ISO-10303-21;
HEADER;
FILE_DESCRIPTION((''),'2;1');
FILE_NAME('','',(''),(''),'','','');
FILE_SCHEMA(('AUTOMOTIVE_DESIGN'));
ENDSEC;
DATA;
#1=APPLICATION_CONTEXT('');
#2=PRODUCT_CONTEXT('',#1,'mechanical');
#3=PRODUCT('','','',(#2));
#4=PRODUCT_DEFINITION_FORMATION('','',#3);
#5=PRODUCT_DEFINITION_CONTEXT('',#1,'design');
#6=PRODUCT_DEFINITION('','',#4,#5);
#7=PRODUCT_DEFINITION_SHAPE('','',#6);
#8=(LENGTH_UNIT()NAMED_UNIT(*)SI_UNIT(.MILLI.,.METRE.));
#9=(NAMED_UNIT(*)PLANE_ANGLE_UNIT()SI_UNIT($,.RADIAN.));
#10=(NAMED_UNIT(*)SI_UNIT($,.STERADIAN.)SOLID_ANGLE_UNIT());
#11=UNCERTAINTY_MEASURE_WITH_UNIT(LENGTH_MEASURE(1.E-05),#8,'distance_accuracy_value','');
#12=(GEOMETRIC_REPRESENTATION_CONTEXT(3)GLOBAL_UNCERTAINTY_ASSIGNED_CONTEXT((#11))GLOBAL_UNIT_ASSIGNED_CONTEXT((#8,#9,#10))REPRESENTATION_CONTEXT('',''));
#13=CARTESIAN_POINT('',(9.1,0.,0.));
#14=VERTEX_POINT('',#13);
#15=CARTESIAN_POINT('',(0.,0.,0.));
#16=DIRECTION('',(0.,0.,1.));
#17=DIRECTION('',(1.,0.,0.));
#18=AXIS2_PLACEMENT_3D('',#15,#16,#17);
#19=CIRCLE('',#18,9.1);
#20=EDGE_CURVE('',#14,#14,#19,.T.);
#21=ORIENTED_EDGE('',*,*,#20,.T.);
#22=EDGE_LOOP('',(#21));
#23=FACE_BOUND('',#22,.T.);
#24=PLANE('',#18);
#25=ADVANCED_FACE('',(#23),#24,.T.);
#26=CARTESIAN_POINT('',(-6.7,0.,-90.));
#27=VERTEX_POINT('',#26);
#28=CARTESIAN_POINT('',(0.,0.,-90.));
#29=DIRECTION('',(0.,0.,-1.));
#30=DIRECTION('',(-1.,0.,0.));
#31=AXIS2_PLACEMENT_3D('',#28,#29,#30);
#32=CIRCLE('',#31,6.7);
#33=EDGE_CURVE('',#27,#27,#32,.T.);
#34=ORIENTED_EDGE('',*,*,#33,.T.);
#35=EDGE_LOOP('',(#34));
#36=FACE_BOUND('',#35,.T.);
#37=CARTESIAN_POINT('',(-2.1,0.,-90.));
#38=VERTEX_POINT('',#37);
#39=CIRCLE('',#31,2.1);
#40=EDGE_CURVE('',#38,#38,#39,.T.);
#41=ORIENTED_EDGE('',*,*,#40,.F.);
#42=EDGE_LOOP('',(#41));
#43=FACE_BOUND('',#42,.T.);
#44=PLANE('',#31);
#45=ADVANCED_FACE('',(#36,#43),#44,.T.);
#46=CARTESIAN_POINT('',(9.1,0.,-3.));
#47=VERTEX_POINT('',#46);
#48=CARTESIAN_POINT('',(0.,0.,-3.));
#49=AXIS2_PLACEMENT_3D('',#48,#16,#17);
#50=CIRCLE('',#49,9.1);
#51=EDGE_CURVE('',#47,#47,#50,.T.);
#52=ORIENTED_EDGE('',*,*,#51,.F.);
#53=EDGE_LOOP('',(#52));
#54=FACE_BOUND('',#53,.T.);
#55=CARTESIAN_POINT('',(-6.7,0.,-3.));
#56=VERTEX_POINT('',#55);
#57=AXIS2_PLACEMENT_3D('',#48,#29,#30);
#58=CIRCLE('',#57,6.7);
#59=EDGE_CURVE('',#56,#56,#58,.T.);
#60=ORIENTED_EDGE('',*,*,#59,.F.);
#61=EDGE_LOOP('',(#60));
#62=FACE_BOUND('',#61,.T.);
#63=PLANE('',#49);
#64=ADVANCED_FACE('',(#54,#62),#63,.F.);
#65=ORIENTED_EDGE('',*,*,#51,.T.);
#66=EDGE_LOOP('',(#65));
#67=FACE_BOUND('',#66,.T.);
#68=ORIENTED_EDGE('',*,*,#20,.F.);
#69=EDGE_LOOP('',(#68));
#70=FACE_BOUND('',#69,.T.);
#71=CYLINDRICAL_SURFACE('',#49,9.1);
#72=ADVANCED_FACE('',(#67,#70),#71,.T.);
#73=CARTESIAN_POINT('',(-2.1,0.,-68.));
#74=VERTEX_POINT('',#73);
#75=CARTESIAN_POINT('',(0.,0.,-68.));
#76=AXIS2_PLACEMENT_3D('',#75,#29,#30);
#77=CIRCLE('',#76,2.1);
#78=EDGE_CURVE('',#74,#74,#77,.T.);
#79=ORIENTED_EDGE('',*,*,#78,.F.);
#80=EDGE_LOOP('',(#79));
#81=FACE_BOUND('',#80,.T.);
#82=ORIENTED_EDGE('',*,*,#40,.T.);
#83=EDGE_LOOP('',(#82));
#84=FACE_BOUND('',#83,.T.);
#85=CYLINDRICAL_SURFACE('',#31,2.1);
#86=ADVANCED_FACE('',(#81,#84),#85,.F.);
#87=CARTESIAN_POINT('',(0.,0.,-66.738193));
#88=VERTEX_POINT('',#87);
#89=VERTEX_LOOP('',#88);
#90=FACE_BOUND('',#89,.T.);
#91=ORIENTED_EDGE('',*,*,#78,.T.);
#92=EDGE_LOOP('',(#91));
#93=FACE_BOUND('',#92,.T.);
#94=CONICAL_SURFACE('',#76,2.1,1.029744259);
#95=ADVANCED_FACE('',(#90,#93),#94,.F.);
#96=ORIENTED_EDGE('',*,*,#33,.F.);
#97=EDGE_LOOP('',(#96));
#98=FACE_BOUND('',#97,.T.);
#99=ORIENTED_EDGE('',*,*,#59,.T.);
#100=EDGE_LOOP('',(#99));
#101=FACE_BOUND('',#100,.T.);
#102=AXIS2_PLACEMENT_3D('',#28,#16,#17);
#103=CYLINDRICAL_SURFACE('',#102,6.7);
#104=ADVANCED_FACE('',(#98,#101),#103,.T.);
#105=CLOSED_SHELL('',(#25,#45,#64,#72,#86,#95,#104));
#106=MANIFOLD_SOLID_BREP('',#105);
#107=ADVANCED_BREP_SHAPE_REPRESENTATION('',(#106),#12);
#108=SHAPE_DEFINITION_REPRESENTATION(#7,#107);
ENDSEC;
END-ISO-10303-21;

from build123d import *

# Parameters (mm, degrees)
ESBO_O1_R                                   = 9.1
RESSALTO_EXTRUS_O1_DEPTH                    = 3
ESBO_O2_R                                   = 6.7
RESSALTO_EXTRUS_O2_DEPTH                    = 87
FURO_ROSCADO_PARA_CONDU_TE_DE_M4X0_72_D     = 4.2
FURO_ROSCADO_PARA_CONDU_TE_DE_M4X0_72_DEPTH = 22
FURO_ROSCADO_PARA_CONDU_TE_DE_M4X0_72_TIP   = 1.2618073


with BuildPart() as part:
    # Esboço1 → Ressalto-extrusão1 (new body)
    with BuildSketch(Plane.XY):
        Circle(ESBO_O1_R)
    extrude(amount=-RESSALTO_EXTRUS_O1_DEPTH)

    # Esboço2 → Ressalto-extrusão2 (add)
    with BuildSketch(Plane(origin=(0, 0, -3), x_dir=(-1, 0, 0), z_dir=(0, 0, -1))):
        Circle(ESBO_O2_R)
    extrude(amount=RESSALTO_EXTRUS_O2_DEPTH)

    # Furo roscado para conduíte de M4x0.72
    with Locations(Plane(origin=(0, 0, -90), x_dir=(-1, 0, 0), z_dir=(0, 0, -1))):
        with Locations((0, 0)):
            Hole(FURO_ROSCADO_PARA_CONDU_TE_DE_M4X0_72_D / 2, depth=FURO_ROSCADO_PARA_CONDU_TE_DE_M4X0_72_DEPTH)
            with Locations((0, 0, -(FURO_ROSCADO_PARA_CONDU_TE_DE_M4X0_72_DEPTH + FURO_ROSCADO_PARA_CONDU_TE_DE_M4X0_72_TIP / 2))):  # 118° drill point
                Cone(0, FURO_ROSCADO_PARA_CONDU_TE_DE_M4X0_72_D / 2, FURO_ROSCADO_PARA_CONDU_TE_DE_M4X0_72_TIP, mode=Mode.SUBTRACT)


solid = part.part
